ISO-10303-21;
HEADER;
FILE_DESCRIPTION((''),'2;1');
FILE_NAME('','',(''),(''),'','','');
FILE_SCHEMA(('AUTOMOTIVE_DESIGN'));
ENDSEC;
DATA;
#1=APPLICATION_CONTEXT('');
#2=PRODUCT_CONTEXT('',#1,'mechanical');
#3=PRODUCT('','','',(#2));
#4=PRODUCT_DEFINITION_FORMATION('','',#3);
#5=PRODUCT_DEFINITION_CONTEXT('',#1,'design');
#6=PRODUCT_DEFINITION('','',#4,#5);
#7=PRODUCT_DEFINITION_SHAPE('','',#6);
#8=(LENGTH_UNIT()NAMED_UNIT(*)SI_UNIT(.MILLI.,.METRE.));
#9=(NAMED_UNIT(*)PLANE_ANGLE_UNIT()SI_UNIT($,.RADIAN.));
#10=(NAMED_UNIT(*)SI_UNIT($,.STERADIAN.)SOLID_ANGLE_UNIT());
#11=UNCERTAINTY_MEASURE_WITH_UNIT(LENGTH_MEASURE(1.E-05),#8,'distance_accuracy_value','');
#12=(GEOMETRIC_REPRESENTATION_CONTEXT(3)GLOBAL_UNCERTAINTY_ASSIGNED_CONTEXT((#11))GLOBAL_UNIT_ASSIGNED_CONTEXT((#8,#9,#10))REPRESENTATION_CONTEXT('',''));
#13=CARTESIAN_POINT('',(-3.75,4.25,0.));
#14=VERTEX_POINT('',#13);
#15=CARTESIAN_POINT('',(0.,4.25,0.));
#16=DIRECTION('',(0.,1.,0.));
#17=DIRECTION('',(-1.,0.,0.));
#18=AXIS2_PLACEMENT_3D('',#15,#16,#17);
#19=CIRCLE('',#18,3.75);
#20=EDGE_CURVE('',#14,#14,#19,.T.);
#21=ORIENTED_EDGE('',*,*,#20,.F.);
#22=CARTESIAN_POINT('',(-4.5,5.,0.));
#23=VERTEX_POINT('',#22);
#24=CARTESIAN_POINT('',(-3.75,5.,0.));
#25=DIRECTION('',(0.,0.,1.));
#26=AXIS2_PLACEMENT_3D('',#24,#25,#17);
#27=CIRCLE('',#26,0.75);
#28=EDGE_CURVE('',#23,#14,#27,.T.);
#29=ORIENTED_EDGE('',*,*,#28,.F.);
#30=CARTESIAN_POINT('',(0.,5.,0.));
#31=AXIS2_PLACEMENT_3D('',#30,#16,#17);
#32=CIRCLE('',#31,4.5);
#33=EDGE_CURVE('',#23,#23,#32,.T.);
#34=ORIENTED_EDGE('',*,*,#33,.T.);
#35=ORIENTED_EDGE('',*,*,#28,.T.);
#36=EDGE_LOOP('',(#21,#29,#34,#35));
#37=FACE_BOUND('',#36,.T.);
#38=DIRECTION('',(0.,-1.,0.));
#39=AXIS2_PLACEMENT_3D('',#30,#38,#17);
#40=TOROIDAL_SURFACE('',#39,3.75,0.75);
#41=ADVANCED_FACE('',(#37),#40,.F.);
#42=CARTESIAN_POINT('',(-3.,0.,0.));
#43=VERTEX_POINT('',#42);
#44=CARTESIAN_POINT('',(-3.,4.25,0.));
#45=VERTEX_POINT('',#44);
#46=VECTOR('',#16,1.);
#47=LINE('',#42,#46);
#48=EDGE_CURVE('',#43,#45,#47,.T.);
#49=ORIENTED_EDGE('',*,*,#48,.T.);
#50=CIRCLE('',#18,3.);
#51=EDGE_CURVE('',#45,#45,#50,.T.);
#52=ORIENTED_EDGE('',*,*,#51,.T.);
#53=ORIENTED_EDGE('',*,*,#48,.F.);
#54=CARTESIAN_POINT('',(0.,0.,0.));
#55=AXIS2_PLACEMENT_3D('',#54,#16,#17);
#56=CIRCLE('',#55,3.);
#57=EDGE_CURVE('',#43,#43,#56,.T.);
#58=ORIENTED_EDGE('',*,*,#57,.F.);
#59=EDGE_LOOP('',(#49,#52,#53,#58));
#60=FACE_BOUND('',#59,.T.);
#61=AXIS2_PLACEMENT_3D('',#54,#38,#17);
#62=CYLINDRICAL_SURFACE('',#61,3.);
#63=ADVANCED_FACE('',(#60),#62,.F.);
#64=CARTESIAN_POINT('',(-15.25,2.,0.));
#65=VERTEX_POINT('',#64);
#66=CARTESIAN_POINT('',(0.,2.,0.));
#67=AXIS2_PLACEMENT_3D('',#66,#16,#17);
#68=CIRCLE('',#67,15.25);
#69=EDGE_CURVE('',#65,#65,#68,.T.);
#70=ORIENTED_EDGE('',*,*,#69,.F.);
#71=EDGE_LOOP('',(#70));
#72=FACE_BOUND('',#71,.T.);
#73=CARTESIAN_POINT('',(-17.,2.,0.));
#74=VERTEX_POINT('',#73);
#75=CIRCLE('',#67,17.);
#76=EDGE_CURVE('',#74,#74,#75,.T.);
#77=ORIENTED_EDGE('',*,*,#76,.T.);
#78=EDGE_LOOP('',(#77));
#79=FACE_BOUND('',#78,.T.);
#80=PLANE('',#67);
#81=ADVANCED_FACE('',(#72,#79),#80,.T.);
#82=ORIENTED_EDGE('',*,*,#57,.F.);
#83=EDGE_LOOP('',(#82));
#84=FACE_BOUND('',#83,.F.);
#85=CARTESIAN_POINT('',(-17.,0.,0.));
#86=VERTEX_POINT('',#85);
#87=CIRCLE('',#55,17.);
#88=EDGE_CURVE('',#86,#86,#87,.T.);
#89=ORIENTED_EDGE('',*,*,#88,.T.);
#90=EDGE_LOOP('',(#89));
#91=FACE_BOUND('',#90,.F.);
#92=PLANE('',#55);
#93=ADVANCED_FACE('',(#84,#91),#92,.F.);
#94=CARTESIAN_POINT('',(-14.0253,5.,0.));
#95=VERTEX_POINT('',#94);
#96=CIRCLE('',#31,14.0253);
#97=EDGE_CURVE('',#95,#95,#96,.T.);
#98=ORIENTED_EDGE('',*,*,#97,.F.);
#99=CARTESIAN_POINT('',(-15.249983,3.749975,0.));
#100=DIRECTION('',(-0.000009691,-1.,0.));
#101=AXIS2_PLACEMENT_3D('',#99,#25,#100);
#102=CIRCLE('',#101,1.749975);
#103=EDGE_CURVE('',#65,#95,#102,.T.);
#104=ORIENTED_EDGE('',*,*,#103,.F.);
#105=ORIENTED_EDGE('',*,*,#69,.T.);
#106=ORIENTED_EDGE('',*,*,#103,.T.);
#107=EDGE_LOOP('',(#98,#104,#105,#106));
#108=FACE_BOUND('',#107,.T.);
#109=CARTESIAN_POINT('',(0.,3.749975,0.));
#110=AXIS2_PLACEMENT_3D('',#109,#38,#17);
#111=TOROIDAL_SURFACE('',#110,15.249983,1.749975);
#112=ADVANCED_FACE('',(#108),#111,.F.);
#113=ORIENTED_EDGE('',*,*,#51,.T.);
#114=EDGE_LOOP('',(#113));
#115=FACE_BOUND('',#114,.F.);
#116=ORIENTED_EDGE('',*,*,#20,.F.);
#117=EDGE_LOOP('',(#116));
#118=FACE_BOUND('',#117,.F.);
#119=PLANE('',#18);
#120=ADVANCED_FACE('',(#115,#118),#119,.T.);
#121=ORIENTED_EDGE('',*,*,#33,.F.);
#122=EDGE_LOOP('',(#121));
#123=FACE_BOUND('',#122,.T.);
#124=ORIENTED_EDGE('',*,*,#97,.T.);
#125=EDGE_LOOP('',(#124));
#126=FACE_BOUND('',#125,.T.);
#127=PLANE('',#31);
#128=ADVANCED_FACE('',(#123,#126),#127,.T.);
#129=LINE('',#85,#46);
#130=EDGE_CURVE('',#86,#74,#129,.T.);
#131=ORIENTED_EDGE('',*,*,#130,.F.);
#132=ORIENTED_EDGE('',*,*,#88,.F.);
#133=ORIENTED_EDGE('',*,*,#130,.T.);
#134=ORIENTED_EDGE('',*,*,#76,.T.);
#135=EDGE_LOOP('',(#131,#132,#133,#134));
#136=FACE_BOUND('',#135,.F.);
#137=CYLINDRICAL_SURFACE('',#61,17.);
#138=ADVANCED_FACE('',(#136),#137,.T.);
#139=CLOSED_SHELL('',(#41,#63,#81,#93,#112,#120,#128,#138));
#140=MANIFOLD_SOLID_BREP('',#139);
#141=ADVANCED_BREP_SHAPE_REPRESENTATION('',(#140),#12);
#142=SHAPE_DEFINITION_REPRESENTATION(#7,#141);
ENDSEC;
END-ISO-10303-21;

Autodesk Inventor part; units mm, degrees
ref_plane "YZ Plane" through (0, 0, 0) normal (1, 0, 0) x (0, 1, 0)
ref_plane "XZ Plane" through (0, 0, 0) normal (0, 1, 0) x (-1, 0, 0)
ref_plane "XY Plane" through (0, 0, 0) normal (0, 0, 1) x (1, 0, 0)
sketch "Skizze1" plane through (0, 0, 0) normal (0, 1, 0) x (-1, 0, 0)
  circle A0 centre (0, 0) radius 17
  circle A1 centre (0, 0) radius 3
  dimension "d6" = 34
  dimension "d12" = 6
extrude "Extrusion1" add sketch "Skizze1" along normal blind 5
sketch "Skizze4" plane through (0, 0, 0) normal (0, 0, 1) x (1, 0, 0)
  line L0 (17, 5) -> (17, 0) projected
  line L1 (17, 0) -> (3, 0) projected
  line L2 (3, 0) -> (3, 5) projected
  line L3 (3, 5) -> (17, 5) projected
  line L4 (-17, 0) -> (-17, 5) projected
  line L5 (-17, 5) -> (-3, 5) projected
  line L6 (-3, 5) -> (-3, 0) projected
  line L7 (-3, 0) -> (-17, 0) projected
  line L8 (0, -0.6) -> (0, 3.6) projected
  line L9 (-14.0253, 5) -> (-17, 5)
  line L10 (-17, 5) -> (-17, 2)
  line L11 (-17, 2) -> (-15.25, 2)
  arc A0 (-15.25, 2) -> (-14.0253, 5) centre (-15.25, 3.75) ccw
  arc A1 (-4.5, 5) -> (-3.75, 4.25) centre (-3.75, 5) ccw
  line L12 (-4.5, 5) -> (-3, 5)
  line L13 (-3, 5) -> (-3, 4.25)
  line L14 (-3, 4.25) -> (-3.75, 4.25)
  point P0 (0, 0)
  dimension "d21" = 1.75
  dimension "d22" = 3
  dimension "d24" = 1.75
  dimension "d25" = 0.75
  dimension "d26" = 9
revolve "Umdrehung3" cut sketch "Skizze4" angle 360 about axis through (0, -10, 0) along (0, 1, 0) contours L4 L5 A0 L11 | L14 A1 L5 L6
properties part number "Unterdruckventil_Membran"
